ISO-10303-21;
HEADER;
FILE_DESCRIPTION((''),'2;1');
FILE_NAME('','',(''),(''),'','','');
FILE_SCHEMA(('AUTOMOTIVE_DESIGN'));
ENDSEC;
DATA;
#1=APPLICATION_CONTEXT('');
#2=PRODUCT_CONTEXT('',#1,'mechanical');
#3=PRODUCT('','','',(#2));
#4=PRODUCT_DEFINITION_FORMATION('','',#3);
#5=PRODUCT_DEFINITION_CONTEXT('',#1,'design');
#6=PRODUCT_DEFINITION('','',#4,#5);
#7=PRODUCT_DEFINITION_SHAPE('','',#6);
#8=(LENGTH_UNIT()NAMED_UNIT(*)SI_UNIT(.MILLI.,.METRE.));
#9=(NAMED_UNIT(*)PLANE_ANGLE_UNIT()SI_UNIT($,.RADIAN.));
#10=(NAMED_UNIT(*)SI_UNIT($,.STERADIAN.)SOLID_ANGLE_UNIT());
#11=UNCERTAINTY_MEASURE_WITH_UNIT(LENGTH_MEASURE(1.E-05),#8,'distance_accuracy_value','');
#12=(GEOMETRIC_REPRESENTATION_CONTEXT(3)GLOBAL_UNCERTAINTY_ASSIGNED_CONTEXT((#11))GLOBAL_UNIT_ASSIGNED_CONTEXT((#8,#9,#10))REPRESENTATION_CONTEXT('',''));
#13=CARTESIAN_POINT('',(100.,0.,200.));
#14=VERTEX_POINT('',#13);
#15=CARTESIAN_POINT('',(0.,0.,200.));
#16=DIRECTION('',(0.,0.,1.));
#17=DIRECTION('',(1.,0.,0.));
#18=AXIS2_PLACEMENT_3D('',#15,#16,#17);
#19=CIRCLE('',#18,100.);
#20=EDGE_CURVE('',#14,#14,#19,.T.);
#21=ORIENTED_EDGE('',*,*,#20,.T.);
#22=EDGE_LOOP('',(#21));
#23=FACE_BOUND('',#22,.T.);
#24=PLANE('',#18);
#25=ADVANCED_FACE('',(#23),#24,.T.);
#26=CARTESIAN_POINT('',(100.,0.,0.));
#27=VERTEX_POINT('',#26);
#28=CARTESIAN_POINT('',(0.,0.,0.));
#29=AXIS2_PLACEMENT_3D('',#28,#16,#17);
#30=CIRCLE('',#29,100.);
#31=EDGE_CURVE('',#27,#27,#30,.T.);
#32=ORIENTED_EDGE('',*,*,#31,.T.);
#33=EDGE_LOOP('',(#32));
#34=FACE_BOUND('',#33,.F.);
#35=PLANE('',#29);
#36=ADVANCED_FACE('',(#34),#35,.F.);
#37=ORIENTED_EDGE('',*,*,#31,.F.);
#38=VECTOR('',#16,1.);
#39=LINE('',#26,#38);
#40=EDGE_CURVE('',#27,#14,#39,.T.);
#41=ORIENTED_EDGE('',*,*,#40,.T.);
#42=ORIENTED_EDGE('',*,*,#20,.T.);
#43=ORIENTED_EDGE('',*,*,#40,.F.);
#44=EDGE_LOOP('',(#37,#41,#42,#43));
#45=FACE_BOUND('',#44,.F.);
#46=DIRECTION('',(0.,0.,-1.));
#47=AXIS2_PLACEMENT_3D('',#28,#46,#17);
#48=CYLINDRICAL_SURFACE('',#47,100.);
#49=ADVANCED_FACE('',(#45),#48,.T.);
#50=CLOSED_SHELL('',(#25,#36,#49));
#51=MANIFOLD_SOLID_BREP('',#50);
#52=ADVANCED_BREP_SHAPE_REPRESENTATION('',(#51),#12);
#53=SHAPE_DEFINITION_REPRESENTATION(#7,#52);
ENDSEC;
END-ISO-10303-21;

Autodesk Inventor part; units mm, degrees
ref_plane "YZ Plane" through (0, 0, 0) normal (1, 0, 0) x (0, 1, 0)
ref_plane "XZ Plane" through (0, 0, 0) normal (0, 1, 0) x (-1, 0, 0)
ref_plane "XY Plane" through (0, 0, 0) normal (0, 0, 1) x (1, 0, 0)
sketch "Sketch1" plane through (0, 0, 0) normal (0, 0, 1) x (1, 0, 0)
  circle A0 centre (0, 0) radius 100
  dimension "d0" = 200
extrude "Extrusion1" add sketch "Sketch1" along normal blind 200
properties part number "cyclinder 1"
